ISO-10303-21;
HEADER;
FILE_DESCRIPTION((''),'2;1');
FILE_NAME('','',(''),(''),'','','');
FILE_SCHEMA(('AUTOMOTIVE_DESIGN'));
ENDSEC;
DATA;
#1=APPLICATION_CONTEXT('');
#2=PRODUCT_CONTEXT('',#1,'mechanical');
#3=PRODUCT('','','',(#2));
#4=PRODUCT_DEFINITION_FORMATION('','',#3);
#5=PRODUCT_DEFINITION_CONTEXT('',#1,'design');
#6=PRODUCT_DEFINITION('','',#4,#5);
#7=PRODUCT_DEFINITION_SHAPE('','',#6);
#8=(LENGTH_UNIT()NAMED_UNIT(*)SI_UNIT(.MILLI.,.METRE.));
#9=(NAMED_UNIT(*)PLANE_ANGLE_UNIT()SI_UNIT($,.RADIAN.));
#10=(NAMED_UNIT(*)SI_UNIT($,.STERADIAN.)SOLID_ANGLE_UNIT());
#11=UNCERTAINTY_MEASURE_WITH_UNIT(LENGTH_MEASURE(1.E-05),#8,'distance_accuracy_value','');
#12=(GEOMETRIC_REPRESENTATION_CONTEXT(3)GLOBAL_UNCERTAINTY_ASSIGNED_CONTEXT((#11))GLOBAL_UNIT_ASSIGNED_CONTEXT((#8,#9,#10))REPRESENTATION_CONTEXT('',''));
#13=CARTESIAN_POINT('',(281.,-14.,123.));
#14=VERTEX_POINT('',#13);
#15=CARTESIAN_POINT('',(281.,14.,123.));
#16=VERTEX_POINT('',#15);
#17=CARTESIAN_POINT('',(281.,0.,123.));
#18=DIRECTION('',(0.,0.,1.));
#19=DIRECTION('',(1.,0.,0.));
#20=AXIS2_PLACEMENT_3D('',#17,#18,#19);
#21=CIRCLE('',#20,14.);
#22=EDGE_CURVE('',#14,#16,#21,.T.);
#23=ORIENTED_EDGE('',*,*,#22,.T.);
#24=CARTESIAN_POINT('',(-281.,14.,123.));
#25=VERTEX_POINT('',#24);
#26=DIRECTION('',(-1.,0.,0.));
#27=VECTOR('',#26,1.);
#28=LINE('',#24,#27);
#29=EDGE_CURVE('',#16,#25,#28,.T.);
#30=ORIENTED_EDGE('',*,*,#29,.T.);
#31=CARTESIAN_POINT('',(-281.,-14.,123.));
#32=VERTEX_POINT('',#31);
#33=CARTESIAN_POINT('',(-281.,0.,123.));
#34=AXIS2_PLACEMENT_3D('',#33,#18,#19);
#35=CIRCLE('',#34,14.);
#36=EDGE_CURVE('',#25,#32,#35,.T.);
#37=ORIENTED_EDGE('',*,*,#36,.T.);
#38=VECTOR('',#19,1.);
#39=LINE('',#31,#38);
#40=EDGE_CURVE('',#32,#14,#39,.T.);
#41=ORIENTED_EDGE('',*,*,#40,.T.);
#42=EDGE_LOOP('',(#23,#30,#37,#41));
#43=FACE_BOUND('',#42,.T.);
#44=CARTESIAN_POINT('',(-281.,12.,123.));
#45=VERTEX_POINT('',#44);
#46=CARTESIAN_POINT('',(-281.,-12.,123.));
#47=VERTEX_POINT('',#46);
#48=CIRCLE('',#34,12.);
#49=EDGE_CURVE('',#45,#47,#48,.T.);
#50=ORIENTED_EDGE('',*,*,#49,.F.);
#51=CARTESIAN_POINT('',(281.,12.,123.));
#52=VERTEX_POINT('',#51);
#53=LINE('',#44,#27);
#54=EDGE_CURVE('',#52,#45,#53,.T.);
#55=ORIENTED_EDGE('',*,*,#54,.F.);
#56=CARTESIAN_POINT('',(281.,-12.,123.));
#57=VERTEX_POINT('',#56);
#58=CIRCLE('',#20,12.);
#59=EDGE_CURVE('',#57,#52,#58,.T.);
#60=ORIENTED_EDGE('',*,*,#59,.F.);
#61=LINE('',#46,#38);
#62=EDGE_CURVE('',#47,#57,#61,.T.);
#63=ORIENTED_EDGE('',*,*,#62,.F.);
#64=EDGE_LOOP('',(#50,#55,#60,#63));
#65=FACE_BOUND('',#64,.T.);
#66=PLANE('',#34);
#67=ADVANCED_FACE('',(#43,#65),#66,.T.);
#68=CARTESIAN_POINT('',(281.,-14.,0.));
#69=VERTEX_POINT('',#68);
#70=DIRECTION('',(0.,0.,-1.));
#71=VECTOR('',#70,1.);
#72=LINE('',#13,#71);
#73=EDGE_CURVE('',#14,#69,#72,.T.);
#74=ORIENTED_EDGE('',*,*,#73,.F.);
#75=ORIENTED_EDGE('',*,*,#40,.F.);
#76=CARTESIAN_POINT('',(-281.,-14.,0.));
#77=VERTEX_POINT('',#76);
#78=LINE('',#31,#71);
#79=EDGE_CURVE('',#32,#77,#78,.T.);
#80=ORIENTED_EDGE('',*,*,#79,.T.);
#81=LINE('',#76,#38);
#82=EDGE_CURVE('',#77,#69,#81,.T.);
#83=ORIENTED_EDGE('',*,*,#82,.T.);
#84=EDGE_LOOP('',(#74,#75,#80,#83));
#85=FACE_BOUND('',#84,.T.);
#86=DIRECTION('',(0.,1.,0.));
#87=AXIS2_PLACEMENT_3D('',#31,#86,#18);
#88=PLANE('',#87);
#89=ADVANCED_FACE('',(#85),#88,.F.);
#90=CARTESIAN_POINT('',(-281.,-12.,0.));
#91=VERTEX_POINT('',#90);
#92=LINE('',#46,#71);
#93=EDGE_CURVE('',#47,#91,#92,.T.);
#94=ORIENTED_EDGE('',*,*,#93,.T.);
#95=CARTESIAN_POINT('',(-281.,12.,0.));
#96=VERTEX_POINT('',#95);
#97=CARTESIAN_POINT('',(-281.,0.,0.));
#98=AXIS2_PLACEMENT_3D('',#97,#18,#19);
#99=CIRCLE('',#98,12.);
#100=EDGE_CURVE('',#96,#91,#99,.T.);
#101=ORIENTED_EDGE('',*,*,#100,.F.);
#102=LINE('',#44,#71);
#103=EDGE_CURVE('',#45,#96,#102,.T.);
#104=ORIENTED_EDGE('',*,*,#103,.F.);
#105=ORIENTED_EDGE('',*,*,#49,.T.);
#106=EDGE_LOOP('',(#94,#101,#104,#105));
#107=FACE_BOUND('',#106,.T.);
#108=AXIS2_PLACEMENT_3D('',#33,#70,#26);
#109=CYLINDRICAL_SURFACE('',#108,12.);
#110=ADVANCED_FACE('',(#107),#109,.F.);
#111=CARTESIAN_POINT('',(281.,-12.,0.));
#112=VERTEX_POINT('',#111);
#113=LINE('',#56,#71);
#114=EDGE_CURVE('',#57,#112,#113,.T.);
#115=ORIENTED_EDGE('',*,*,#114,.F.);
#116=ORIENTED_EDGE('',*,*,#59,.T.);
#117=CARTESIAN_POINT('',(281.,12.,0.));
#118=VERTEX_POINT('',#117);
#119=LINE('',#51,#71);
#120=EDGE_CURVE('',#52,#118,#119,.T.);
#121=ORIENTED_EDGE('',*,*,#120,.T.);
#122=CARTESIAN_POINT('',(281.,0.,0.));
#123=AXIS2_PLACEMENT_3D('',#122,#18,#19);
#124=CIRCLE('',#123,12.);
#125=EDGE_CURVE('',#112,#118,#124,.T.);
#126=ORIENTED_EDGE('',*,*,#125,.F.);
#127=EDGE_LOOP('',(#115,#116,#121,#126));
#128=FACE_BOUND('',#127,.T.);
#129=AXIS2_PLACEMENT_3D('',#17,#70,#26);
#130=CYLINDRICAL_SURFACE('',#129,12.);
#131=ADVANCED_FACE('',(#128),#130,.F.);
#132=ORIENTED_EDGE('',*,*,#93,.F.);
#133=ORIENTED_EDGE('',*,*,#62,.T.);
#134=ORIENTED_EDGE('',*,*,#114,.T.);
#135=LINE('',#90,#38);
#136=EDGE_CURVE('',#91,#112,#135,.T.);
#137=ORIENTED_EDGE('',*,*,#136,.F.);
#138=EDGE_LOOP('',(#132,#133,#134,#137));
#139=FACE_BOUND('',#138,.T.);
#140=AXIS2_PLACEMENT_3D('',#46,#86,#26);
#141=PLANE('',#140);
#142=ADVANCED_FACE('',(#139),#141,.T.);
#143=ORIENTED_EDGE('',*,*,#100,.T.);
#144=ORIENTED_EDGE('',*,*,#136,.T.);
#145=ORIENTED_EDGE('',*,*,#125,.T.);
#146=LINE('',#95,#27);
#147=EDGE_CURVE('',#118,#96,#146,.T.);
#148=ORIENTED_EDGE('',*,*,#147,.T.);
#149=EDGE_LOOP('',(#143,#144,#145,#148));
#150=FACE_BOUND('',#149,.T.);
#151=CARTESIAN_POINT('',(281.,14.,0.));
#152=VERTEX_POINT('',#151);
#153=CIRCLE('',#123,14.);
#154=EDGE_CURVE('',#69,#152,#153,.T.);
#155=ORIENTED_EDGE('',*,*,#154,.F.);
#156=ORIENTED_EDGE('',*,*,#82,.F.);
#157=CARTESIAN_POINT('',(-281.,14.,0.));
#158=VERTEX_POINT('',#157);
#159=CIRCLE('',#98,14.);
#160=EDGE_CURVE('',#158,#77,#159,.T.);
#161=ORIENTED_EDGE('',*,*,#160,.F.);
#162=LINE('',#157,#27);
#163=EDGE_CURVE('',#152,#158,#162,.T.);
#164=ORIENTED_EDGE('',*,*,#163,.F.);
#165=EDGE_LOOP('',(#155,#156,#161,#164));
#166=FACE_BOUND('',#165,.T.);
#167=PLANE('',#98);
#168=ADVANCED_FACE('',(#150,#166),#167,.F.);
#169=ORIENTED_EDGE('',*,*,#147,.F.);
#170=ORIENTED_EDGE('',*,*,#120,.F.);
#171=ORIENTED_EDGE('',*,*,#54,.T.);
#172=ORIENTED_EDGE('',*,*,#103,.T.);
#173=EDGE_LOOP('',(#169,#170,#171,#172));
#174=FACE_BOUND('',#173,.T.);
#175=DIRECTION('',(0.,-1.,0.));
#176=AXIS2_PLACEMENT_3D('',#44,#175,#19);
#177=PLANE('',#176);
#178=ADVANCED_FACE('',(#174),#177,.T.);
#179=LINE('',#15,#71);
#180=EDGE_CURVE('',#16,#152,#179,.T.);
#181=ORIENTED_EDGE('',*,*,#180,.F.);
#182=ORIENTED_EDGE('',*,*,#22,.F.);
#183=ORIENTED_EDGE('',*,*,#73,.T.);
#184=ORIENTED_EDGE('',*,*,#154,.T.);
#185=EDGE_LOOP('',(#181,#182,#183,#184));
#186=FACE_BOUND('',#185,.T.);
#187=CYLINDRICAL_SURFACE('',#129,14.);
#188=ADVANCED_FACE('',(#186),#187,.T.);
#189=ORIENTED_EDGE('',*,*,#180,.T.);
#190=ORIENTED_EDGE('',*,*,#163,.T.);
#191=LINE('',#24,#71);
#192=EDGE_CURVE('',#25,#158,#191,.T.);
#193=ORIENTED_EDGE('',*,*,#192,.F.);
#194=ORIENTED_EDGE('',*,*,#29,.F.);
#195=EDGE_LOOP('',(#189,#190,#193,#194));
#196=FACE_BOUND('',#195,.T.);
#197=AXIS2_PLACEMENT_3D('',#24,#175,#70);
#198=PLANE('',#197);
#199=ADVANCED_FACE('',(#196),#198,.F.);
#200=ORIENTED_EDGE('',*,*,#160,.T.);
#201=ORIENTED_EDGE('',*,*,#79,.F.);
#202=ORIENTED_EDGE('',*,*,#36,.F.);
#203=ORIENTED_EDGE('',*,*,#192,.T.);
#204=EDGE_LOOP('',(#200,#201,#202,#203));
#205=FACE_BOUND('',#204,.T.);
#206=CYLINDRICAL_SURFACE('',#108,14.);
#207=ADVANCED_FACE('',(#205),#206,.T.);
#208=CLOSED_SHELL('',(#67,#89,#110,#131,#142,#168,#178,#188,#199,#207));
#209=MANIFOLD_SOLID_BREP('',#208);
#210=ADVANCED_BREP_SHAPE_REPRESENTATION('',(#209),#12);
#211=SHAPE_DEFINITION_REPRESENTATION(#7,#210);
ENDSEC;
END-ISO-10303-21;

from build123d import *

# Parameters (mm, degrees)
BOSS_EXTRUDE1_DEPTH = 123


with BuildPart() as part:
    # Sketch1 → Boss-Extrude1 (new body)
    with BuildSketch(Plane.XY):
        with BuildLine():
            Line((-281, 14), (281, 14))
            ThreePointArc((281, 14), (295, 0), (281, -14))
            Line((281, -14), (-281, -14))
            ThreePointArc((-281, -14), (-295, 0), (-281, 14))
        make_face()
        with BuildLine():
            Line((-281, 12), (281, 12))
            ThreePointArc((281, 12), (293, 0), (281, -12))
            Line((281, -12), (-281, -12))
            ThreePointArc((-281, -12), (-293, 0), (-281, 12))
        make_face(mode=Mode.SUBTRACT)
    extrude(amount=BOSS_EXTRUDE1_DEPTH)


solid = part.part
